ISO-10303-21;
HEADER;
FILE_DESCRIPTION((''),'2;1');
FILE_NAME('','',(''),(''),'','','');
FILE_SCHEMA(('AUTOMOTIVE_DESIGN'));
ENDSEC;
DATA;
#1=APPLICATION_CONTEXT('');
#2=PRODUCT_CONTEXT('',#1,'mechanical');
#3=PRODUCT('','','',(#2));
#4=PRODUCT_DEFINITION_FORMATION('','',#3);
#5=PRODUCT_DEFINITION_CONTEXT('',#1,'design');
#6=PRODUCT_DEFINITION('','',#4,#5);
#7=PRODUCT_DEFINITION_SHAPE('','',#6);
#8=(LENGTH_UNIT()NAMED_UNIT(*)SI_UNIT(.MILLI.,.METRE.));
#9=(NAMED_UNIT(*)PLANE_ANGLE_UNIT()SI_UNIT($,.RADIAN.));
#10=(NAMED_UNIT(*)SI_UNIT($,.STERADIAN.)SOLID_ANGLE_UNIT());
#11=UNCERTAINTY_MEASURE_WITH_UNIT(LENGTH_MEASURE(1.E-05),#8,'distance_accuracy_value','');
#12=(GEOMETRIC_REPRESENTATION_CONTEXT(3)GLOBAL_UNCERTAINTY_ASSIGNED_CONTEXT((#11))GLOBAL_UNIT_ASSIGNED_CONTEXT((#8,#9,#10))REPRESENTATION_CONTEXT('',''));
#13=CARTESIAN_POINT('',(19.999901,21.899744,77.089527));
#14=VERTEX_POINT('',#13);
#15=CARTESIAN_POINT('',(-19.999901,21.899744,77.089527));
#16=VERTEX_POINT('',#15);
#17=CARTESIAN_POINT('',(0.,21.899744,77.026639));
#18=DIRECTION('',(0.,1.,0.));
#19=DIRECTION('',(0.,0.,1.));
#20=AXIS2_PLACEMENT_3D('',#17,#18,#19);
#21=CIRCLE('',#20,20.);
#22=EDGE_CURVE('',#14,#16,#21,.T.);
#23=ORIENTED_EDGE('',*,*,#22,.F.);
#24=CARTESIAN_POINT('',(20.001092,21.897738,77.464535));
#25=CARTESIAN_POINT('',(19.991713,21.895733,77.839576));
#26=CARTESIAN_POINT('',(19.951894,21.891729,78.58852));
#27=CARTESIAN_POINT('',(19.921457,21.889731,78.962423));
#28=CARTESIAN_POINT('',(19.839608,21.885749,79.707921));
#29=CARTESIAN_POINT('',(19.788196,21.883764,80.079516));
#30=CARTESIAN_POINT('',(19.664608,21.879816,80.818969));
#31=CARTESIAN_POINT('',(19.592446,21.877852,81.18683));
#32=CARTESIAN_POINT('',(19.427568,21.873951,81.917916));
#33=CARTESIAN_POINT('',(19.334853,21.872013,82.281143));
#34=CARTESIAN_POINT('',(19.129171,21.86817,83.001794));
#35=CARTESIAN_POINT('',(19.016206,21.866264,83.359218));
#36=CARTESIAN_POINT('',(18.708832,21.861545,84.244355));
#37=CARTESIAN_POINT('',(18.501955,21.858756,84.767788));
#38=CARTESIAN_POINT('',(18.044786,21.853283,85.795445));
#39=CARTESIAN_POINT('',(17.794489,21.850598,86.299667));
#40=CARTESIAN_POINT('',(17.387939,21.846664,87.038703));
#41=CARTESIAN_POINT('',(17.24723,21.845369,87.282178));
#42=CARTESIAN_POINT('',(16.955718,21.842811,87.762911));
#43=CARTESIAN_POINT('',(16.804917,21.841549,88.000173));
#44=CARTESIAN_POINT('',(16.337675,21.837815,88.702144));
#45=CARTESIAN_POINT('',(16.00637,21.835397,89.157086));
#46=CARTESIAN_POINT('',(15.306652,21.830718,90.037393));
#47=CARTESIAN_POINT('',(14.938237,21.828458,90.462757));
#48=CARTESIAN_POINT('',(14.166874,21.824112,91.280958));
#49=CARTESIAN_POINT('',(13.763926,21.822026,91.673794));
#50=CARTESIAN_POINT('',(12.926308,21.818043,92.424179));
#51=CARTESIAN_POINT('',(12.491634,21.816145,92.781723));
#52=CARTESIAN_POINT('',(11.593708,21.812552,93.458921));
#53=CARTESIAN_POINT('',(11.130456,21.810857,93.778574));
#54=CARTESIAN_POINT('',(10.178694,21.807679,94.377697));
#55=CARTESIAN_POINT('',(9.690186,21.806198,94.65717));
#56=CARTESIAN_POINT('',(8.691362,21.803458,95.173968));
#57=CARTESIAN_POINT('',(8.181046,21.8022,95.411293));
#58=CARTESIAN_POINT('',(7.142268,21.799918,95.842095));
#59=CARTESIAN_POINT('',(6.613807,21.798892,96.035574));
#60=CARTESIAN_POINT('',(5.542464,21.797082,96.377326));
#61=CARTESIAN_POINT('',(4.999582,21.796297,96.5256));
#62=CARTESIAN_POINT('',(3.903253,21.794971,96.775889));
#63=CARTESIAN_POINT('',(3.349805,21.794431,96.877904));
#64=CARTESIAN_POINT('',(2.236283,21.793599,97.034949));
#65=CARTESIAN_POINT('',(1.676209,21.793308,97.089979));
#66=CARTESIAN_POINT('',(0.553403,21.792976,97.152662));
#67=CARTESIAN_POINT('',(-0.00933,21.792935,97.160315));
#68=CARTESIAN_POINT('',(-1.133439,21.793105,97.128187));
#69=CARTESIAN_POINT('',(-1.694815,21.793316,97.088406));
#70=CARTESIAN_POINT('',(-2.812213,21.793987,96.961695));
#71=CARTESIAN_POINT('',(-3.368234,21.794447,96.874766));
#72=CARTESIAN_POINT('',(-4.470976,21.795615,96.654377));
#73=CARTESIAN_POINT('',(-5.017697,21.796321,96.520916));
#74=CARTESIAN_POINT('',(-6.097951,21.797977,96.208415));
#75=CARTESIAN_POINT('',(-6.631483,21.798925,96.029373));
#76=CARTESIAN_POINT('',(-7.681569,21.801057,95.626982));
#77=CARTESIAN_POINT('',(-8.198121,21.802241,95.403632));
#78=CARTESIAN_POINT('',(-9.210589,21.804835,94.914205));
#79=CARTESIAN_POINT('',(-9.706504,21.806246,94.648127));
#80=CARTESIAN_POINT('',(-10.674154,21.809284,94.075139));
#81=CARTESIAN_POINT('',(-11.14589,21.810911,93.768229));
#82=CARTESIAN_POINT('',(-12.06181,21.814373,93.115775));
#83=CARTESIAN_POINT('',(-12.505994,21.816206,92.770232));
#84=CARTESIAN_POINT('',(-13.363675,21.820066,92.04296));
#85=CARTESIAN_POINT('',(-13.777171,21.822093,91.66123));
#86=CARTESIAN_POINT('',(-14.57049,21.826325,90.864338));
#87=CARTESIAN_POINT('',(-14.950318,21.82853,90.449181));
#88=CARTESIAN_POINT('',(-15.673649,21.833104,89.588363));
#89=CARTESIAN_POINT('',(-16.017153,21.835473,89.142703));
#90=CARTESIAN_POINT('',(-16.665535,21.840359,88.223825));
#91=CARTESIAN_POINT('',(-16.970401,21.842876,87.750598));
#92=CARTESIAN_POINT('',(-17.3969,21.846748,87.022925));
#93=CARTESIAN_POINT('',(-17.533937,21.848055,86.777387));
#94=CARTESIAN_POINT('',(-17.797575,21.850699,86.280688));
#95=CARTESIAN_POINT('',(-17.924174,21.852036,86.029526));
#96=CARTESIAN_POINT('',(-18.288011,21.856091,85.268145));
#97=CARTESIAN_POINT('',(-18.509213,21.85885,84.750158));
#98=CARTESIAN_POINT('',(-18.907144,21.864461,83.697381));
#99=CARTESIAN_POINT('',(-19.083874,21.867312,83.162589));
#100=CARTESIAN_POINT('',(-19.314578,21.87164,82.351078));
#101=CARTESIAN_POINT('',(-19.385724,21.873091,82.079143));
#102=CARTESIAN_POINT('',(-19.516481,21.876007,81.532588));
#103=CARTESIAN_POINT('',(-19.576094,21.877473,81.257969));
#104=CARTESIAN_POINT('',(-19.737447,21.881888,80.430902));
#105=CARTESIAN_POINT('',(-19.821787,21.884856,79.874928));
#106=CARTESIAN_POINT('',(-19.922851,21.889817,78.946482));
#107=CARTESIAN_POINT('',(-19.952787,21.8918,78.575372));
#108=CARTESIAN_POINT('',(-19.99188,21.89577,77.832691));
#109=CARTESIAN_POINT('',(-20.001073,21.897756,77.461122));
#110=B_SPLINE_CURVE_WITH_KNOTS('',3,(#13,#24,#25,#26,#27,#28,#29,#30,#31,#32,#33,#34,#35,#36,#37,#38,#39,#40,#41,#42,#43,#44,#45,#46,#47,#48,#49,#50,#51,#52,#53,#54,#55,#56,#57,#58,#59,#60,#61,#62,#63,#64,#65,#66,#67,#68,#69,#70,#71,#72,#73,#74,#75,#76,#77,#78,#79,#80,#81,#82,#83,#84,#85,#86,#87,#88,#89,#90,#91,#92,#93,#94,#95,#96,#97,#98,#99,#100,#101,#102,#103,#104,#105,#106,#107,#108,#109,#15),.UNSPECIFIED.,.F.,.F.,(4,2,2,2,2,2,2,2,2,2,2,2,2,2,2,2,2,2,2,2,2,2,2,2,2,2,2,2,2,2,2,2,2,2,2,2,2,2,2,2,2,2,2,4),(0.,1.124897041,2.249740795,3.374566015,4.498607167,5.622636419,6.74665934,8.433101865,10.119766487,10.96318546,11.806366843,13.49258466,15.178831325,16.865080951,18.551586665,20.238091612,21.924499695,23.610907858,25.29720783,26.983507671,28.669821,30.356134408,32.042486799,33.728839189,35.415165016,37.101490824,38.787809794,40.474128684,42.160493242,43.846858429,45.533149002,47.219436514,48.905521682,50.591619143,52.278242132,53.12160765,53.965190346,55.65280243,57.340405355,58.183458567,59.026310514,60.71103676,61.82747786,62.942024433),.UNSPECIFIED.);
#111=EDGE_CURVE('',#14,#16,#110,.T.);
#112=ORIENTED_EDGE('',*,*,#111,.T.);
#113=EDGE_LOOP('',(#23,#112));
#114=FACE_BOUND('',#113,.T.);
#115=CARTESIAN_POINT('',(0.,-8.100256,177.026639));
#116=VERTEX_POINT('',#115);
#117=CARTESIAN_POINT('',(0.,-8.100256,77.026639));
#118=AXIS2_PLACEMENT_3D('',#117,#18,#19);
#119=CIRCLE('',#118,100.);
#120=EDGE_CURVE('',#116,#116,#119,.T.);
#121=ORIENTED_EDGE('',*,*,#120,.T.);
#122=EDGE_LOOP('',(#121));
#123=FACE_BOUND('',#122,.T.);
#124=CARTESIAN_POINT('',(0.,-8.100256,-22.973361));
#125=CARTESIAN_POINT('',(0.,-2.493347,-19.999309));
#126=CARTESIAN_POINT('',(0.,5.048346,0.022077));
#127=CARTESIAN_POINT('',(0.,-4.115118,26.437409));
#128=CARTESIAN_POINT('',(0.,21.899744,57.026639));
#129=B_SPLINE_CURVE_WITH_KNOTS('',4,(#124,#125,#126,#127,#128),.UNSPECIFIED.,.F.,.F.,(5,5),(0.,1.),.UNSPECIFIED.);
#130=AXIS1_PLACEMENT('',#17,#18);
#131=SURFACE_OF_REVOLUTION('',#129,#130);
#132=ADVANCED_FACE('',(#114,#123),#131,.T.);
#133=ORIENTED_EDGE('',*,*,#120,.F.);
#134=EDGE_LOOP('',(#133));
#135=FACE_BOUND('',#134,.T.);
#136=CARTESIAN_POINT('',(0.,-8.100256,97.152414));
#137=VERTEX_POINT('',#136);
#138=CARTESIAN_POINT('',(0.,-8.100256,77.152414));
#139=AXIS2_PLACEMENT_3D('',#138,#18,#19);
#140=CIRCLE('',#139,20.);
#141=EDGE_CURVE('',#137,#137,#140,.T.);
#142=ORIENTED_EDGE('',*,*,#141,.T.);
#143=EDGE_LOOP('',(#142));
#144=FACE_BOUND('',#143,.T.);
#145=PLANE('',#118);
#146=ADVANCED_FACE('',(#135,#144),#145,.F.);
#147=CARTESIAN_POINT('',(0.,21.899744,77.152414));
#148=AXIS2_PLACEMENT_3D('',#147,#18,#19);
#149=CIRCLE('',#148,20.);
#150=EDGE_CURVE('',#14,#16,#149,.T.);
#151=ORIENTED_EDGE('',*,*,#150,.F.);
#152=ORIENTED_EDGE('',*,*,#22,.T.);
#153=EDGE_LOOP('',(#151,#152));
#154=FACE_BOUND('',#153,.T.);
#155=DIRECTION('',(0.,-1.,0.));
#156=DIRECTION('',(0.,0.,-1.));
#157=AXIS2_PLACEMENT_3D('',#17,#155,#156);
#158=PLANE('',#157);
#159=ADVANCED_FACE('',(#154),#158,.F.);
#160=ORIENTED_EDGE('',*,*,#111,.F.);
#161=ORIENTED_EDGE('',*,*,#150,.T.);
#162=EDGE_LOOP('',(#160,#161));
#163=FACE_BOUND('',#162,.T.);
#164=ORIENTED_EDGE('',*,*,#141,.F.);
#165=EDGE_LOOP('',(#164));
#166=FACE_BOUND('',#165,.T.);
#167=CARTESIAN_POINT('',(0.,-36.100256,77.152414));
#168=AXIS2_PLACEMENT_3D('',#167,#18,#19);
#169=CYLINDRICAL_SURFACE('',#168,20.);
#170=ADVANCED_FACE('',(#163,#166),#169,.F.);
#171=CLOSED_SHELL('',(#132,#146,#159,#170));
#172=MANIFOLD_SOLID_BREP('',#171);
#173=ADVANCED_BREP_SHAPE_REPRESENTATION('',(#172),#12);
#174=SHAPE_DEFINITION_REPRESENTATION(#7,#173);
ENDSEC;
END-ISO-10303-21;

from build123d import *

# Parameters (mm, degrees)
SKETCH_3_R          = 20
CUT_EXTRUDE_1_DEPTH = 58


with BuildPart() as part:
    # 草图2 → 旋转1 (revolve)
    with BuildSketch(Plane(origin=(0, 0, 0), x_dir=(0, 0, -1), z_dir=(1, 0, 0))):
        with BuildLine():
            Line((-77.026638721, 21.899743781), (-77.026638721, -8.100256219))
            Line((-77.026638721, -8.100256219), (22.973361279, -8.100256219))
            add(Edge.make_bspline(
                [(22.973361279, -8.100256219), (19.99930936, -2.493347022), (-0.022077456, 5.04834586), (-26.437409059, -4.115118329), (-57.026638721, 21.899743781)],
                knots=[0, 0, 0, 0, 0, 1, 1, 1, 1, 1], degree=4))
            Line((-57.026638721, 21.899743781), (-77.026638721, 21.899743781))
        make_face()
    revolve(axis=Axis((0, 21.899743781, 77.026638721), (0, -1, 0)))

    # 草图3 → 切除-拉伸1 (cut)
    with BuildSketch(Plane(origin=(0, 21.899743781, 0), x_dir=(1, 0, 0), z_dir=(0, 1, 0))):
        with Locations(Location((0, -77.152414432, 0), (0, 0, 270))):  # turned: the seam where the file's is
            Circle(SKETCH_3_R)
    extrude(amount=-CUT_EXTRUDE_1_DEPTH, mode=Mode.SUBTRACT)


solid = part.part
